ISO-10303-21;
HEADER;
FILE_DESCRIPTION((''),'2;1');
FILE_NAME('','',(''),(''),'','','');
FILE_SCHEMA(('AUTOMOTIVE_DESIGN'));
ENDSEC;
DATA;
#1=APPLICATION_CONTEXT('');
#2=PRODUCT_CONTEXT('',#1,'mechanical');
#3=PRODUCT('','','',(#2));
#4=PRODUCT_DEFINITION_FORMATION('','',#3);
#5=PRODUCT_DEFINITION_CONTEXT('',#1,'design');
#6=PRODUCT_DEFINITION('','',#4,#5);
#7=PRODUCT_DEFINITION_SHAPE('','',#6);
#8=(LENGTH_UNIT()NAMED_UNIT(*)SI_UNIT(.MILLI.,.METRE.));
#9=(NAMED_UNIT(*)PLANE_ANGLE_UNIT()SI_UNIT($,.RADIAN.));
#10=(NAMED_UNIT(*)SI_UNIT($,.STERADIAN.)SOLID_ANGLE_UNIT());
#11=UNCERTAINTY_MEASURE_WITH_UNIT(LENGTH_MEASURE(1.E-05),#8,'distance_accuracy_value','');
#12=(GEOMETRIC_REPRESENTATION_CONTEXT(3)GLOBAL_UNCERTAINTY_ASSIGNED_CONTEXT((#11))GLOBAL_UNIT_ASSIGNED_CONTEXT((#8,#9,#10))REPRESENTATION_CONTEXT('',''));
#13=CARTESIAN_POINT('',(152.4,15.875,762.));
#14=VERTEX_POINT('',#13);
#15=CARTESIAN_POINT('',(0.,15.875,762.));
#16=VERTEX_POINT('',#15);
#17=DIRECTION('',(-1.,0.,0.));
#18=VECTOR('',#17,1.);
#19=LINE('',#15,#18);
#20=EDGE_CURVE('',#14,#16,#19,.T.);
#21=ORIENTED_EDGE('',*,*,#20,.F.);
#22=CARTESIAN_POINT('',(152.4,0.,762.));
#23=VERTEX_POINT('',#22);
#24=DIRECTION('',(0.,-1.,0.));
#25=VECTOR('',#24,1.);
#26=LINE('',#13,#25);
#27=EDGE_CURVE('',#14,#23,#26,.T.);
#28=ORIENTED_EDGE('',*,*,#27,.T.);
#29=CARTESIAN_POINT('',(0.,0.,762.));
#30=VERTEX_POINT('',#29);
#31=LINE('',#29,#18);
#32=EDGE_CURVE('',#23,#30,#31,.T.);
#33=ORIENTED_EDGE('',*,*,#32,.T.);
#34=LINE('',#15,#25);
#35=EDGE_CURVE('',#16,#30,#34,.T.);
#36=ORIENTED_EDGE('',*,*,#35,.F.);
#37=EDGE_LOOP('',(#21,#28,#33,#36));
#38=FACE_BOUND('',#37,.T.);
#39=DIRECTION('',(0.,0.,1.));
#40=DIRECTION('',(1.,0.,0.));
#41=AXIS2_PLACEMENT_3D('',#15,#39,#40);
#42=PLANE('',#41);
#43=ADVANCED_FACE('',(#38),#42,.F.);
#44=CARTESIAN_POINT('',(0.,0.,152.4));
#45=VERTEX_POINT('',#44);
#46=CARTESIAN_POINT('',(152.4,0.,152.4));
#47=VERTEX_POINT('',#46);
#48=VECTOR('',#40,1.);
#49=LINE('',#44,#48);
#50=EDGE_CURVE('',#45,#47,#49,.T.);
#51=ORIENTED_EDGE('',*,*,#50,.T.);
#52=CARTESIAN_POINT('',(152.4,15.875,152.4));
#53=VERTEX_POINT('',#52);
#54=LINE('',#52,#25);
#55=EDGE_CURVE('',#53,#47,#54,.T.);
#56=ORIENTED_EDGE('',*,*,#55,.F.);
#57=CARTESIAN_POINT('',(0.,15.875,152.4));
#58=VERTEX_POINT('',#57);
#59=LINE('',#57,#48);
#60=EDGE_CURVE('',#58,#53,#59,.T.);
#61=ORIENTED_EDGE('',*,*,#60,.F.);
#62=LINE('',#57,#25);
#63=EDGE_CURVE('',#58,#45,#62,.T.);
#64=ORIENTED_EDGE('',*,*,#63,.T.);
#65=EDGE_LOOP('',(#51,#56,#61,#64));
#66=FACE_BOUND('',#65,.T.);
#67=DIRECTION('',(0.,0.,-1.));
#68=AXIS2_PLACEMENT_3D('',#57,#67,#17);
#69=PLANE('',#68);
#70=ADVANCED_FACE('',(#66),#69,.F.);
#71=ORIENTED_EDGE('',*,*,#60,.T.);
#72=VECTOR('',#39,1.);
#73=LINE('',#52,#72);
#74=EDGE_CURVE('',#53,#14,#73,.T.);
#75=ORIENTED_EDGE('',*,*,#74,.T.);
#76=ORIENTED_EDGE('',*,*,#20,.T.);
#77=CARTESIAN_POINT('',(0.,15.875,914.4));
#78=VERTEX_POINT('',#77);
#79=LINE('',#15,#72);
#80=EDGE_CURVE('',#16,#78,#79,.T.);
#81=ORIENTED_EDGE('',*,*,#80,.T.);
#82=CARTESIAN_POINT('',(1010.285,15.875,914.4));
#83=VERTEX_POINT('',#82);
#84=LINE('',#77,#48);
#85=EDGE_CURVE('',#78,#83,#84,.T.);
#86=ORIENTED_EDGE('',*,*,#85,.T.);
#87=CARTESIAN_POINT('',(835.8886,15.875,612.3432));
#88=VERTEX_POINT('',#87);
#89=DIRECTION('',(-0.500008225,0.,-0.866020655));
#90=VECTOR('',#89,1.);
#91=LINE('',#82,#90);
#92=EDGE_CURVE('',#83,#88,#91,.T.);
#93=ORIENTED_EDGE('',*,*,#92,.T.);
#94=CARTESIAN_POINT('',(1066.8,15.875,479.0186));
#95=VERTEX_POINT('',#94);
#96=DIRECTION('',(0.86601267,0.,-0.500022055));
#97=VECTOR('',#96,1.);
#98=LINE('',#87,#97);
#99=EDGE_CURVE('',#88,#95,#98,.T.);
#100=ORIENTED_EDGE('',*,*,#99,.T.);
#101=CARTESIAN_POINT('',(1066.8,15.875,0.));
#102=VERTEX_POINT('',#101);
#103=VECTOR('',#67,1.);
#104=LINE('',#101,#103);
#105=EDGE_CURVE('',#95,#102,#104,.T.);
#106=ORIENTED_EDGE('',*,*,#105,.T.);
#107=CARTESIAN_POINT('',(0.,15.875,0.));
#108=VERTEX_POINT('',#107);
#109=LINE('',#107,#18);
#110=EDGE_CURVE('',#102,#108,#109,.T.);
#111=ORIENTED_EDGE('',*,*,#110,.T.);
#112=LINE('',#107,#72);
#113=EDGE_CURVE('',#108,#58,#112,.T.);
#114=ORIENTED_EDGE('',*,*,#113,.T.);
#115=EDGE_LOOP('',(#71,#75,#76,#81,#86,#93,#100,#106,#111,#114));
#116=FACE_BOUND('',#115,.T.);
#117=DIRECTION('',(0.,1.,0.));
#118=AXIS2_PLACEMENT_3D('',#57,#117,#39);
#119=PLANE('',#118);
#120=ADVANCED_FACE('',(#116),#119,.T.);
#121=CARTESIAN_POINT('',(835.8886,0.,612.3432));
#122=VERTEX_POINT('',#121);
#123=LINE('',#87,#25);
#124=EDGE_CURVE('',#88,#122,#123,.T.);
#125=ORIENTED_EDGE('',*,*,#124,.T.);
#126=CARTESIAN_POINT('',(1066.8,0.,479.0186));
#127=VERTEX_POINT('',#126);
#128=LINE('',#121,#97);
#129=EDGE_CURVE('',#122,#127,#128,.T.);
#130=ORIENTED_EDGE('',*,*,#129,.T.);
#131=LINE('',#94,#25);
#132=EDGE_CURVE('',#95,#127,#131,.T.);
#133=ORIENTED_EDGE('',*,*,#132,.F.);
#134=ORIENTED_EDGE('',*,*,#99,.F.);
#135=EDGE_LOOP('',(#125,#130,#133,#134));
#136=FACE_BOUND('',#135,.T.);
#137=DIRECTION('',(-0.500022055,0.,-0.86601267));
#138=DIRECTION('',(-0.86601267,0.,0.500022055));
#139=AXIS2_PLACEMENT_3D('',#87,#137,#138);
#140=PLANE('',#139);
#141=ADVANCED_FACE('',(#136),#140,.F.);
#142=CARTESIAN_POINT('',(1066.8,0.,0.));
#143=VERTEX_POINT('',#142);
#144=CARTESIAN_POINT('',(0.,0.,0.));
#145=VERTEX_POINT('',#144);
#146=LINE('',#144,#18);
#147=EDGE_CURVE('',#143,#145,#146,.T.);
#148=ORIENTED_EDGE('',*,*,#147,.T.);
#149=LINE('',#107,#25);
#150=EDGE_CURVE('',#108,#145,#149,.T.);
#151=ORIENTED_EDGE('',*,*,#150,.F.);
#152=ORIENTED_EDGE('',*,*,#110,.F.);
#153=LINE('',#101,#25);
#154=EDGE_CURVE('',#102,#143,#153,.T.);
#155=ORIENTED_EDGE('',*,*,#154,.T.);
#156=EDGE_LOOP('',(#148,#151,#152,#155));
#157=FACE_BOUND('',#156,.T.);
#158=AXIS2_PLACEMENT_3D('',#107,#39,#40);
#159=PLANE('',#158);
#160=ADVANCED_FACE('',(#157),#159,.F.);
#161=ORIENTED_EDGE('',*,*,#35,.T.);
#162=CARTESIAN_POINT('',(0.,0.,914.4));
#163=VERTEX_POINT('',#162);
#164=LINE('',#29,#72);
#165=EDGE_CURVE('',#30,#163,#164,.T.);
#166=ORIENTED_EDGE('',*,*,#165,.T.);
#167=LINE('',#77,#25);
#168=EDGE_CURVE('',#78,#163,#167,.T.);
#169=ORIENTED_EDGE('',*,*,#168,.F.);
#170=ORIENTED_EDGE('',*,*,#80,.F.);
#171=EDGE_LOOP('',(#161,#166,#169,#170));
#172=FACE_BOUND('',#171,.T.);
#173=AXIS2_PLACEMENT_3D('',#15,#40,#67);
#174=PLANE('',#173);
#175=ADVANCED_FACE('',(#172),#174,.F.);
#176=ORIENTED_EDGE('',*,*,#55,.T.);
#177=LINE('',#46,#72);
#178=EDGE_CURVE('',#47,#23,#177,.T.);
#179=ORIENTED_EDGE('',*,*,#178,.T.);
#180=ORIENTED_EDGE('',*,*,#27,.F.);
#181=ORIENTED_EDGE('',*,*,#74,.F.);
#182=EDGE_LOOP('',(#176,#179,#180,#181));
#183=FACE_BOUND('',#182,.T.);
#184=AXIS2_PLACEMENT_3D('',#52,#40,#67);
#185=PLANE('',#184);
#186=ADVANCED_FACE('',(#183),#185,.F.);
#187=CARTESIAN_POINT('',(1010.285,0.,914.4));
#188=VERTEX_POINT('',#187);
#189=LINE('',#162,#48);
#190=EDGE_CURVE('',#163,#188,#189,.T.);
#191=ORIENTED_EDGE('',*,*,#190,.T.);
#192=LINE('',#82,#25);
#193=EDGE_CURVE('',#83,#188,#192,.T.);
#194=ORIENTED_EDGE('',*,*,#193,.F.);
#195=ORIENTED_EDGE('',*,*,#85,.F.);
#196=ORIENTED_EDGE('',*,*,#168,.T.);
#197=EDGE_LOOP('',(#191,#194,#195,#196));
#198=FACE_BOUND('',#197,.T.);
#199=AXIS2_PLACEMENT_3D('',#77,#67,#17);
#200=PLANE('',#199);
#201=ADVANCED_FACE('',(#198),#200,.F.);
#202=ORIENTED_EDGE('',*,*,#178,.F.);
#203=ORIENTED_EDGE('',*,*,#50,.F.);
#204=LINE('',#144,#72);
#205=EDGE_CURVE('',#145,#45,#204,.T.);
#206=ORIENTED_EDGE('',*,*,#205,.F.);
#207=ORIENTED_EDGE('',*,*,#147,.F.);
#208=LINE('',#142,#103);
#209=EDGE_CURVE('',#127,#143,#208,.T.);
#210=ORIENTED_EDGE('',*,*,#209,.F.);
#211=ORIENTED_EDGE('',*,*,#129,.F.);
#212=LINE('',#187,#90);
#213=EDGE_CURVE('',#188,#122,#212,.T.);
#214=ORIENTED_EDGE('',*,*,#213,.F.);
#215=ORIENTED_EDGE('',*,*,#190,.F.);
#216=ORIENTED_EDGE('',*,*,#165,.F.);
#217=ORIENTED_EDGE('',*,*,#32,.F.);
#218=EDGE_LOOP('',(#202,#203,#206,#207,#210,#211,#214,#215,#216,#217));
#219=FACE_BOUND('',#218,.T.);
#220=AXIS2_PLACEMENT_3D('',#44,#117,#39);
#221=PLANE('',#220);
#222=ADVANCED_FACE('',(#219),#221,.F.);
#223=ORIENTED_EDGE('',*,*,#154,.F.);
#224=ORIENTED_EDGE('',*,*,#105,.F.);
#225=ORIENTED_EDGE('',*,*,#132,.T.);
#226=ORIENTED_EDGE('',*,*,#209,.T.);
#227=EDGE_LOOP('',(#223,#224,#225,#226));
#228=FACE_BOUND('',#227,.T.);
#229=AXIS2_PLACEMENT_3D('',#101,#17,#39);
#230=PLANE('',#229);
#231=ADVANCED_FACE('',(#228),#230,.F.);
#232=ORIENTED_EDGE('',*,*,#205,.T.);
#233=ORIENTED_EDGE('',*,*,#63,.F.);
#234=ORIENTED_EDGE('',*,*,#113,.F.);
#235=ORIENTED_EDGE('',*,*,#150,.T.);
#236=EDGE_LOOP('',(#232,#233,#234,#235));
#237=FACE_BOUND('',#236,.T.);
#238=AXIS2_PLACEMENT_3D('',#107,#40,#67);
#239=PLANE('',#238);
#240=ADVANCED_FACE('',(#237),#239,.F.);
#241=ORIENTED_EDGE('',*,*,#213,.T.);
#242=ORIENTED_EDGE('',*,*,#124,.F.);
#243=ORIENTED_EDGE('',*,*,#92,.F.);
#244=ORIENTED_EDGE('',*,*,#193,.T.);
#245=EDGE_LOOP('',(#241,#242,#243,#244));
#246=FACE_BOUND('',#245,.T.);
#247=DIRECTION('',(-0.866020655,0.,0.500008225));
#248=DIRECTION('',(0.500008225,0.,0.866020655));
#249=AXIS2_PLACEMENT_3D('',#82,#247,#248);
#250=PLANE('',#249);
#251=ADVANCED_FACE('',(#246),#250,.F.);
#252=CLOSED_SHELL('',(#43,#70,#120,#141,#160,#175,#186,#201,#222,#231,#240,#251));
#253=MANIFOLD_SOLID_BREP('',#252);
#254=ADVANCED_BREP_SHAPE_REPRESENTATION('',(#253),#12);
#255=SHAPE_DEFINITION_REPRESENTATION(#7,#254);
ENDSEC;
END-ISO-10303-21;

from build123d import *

# Parameters (mm, degrees)
BOSS_EXTRUDE1_DEPTH = 15.875


with BuildPart() as part:
    # Sketch1 → Boss-Extrude1 (new body)
    with BuildSketch(Plane(origin=(0, 0, 0), x_dir=(1, 0, 0), z_dir=(0, 1, 0))):
        Polygon((0, -762), (152.4, -762), (152.4, -152.4), (0, -152.4), (0, 0), (1066.8, 0), (1066.8, -479.0186), (835.8886, -612.3432), (1010.285, -914.4), (0, -914.4), align=None)
    extrude(amount=BOSS_EXTRUDE1_DEPTH)


solid = part.part
